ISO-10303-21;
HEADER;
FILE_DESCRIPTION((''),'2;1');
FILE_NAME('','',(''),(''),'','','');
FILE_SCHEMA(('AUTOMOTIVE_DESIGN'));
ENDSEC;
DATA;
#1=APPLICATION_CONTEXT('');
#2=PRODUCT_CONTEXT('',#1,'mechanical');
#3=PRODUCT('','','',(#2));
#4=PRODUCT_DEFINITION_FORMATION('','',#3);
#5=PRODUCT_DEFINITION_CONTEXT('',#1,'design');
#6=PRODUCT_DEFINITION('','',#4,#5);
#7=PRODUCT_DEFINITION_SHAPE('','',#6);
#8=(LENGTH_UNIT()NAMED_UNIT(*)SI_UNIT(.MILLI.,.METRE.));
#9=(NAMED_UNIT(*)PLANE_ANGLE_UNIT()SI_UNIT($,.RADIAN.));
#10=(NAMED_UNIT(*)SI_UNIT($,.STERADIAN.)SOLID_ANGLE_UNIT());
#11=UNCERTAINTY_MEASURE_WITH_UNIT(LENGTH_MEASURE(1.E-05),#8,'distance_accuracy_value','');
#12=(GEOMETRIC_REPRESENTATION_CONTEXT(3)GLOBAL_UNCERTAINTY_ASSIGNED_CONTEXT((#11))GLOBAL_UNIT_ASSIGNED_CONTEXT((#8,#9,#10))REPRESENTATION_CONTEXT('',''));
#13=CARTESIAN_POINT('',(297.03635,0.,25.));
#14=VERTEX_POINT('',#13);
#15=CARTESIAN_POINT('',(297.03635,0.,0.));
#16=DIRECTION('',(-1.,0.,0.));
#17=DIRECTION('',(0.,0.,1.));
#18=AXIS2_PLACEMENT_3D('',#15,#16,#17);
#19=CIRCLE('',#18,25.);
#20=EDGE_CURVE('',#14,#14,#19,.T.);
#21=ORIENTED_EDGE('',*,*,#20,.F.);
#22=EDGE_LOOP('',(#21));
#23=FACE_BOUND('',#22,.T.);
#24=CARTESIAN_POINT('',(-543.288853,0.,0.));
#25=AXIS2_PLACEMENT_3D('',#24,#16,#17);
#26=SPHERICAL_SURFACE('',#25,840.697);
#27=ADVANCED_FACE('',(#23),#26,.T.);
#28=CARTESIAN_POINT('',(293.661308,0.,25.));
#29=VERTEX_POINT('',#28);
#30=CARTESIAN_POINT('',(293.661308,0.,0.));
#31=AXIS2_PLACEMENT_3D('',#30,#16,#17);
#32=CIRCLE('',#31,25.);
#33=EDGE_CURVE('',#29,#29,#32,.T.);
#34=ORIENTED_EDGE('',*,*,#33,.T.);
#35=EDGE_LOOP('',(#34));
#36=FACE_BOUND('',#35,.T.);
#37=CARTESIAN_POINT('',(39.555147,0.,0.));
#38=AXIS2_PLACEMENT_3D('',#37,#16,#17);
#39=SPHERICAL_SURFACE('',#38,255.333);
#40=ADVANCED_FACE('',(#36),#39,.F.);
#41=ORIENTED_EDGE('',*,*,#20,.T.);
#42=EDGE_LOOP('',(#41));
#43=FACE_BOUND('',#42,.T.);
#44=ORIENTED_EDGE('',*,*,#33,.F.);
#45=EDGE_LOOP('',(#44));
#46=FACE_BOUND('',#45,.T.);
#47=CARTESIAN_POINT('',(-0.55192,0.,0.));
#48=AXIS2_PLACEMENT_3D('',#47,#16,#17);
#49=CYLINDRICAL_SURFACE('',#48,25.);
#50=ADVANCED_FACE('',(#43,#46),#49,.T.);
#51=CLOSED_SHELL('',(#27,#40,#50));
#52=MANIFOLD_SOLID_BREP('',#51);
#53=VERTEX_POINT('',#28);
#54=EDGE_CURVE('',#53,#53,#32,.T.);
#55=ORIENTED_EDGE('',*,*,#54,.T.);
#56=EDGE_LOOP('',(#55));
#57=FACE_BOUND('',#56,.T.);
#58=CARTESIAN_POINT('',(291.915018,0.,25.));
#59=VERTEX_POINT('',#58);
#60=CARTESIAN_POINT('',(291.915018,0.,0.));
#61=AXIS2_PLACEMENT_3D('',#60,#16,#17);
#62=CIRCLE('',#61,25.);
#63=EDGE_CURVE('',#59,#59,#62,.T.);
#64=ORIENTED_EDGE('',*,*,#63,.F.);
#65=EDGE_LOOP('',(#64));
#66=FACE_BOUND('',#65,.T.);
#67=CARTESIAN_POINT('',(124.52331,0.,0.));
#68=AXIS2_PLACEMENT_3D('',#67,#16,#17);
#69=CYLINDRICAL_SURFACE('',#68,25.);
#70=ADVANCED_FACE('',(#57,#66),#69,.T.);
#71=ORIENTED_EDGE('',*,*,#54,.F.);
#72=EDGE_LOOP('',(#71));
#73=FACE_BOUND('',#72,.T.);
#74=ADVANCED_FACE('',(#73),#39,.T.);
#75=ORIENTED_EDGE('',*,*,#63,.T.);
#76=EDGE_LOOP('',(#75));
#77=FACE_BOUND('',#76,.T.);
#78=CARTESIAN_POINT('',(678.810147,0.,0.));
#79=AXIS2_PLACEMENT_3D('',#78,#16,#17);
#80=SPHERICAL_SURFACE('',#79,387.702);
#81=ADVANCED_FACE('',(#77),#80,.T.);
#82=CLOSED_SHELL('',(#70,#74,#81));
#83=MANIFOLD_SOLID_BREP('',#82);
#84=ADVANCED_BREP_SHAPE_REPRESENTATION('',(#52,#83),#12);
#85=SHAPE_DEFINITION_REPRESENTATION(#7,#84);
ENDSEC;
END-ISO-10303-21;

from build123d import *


with BuildPart() as part:
    # 草图1 one side → 旋转1 (revolve)
    with BuildSketch(Plane(origin=(0, 0, 0), x_dir=(1, 0, 0), z_dir=(0, 1, 0)), mode=Mode.PRIVATE) as revolve_1_sk:
        with BuildLine():
            ThreePointArc((291.915018212, 25), (291.309917427, 12.506508714), (291.108147161, 0))
            Line((291.108147161, 0), (294.888147161, 0))
            ThreePointArc((294.888147161, 0), (294.581252894, 12.515042297), (293.661307828, 25))
            Line((293.661307828, 25), (291.915018212, 25))
        make_face()
    revolve(revolve_1_sk.sketch.rotate(Axis((124.523309526, 0, 0), (1, 0, 0)), 180), axis=Axis((124.523309526, 0, 0), (1, 0, 0)))  # turned: the seam where the file's is


with BuildPart() as body_2:
    # 草图2 one side → 旋转3 (revolve)
    with BuildSketch(Plane(origin=(0, 0, 0), x_dir=(1, 0, 0), z_dir=(0, 1, 0)), mode=Mode.PRIVATE) as revolve_3_sk:
        with BuildLine():
            Line((297.036349573, 25), (293.661307828, 25))
            ThreePointArc((293.661307828, 25), (294.581252894, 12.515042297), (294.888147161, 0))
            Line((294.888147161, 0), (297.408147161, 0))
            ThreePointArc((297.408147161, 0), (297.315192625, 12.501382258), (297.036349573, 25))
        make_face()
    revolve(revolve_3_sk.sketch.rotate(Axis((-0.551919993, 0, 0), (1, 0, 0)), 180), axis=Axis((-0.551919993, 0, 0), (1, 0, 0)))  # turned: the seam where the file's is


solid = Compound([part.part, body_2.part])
